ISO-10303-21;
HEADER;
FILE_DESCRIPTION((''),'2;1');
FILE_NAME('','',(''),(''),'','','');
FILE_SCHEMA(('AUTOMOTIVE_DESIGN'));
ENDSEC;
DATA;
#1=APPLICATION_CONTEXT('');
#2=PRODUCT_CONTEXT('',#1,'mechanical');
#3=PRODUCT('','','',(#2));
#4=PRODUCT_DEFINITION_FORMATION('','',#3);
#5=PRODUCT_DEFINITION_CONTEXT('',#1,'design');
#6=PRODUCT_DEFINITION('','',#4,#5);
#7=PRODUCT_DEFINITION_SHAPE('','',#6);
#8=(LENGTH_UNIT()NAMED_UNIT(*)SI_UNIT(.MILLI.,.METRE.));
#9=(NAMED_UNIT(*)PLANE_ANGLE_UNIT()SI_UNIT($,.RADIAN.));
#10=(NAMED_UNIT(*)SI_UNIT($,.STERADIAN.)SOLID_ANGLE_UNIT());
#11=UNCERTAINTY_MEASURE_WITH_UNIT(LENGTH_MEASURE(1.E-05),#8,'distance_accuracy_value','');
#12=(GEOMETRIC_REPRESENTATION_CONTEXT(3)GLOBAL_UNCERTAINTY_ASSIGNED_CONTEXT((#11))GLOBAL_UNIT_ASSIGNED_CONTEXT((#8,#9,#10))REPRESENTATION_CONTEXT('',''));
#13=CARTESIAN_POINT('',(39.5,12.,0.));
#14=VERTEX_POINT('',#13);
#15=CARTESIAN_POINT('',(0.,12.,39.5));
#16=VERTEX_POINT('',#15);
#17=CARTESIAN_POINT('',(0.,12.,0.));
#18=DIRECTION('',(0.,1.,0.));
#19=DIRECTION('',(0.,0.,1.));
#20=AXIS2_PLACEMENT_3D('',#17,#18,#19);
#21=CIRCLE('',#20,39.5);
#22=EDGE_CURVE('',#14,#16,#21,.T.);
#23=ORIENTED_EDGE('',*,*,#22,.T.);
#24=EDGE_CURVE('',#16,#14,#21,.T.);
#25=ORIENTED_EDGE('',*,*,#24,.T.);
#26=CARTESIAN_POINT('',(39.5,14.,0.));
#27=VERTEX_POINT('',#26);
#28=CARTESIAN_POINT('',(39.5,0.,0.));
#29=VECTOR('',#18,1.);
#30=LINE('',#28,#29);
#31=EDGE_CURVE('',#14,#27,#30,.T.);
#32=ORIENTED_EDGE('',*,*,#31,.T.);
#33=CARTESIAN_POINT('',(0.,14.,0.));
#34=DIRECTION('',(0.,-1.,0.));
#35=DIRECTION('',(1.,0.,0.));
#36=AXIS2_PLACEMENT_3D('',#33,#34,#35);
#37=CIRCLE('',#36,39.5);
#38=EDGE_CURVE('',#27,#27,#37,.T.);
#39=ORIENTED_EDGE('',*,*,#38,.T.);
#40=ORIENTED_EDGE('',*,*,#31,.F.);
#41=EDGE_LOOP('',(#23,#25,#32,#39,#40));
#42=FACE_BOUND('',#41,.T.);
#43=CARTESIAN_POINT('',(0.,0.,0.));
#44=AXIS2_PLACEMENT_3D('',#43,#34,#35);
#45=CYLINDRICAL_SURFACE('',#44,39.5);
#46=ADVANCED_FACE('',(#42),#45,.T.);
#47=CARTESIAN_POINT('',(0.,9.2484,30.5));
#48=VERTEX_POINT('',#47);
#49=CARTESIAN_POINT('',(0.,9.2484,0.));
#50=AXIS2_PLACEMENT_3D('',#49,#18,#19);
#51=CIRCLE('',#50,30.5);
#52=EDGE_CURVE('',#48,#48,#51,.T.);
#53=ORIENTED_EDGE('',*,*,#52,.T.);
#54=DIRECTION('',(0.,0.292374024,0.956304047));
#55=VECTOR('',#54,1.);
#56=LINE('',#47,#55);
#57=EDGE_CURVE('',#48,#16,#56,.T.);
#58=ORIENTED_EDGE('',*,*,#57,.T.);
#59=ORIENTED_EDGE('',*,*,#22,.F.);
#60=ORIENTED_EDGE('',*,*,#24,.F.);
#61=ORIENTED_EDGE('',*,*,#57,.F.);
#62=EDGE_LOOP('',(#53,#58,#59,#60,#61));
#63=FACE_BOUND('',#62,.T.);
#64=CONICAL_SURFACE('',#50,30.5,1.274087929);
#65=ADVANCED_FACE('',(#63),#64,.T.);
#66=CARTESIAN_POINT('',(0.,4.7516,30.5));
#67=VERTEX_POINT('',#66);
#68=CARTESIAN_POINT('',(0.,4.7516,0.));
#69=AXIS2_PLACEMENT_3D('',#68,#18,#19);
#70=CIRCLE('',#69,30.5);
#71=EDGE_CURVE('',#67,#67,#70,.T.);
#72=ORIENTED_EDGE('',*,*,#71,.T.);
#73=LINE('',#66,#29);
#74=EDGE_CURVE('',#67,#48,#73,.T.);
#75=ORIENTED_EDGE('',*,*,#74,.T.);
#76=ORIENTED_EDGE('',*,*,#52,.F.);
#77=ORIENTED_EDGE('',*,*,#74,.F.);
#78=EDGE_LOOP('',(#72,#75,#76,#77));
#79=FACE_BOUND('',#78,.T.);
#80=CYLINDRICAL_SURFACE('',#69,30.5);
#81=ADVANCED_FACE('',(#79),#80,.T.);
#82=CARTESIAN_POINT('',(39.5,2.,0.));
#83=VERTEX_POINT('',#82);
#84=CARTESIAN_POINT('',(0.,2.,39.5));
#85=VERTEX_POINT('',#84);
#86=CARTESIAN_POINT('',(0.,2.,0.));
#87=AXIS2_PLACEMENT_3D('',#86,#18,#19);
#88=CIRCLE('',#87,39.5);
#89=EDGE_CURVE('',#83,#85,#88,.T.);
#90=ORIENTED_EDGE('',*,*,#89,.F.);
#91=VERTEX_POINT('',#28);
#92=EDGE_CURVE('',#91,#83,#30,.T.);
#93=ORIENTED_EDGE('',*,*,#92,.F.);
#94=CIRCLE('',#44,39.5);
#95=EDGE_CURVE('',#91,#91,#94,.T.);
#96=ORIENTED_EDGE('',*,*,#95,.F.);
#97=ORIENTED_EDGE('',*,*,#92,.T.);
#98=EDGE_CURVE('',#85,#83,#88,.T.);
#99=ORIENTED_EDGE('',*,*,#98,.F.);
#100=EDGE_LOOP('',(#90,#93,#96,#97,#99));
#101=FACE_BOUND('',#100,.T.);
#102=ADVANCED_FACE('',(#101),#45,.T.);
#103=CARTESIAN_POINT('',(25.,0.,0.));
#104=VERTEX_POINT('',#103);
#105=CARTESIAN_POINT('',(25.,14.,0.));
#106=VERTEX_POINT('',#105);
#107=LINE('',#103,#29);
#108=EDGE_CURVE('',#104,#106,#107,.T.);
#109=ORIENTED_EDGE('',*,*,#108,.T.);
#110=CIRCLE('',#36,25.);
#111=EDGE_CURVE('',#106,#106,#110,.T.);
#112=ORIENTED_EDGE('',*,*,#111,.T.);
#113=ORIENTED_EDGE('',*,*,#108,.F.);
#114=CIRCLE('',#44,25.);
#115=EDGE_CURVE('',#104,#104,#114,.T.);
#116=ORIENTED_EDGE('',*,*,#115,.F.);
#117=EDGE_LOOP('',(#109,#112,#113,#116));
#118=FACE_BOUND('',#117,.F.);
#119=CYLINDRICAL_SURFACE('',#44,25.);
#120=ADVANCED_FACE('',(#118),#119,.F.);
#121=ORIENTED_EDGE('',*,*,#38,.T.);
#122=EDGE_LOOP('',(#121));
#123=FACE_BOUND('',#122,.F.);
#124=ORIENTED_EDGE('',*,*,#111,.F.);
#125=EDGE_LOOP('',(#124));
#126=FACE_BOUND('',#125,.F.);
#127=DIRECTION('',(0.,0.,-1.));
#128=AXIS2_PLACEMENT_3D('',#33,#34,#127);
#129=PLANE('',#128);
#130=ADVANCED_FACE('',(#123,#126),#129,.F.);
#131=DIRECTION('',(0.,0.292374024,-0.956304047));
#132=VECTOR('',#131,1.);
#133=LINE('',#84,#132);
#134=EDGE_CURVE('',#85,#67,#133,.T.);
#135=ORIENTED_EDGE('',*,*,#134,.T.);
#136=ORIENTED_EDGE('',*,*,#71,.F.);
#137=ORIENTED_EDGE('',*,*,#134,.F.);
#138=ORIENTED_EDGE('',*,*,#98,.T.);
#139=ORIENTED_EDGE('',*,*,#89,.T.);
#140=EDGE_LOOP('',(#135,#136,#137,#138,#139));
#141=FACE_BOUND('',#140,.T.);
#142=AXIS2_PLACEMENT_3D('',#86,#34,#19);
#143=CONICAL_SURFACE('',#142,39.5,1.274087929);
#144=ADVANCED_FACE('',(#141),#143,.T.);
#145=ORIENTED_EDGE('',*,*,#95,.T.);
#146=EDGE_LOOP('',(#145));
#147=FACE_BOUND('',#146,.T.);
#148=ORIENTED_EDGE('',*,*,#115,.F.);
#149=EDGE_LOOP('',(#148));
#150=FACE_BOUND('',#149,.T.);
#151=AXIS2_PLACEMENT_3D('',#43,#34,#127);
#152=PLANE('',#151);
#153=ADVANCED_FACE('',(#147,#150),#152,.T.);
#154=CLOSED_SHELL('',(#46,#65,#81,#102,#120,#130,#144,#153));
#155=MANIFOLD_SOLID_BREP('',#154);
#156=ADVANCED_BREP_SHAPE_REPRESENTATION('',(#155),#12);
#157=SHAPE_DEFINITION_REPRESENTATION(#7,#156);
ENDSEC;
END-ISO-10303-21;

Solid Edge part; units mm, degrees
sketch "Sketch1" plane through (0, 0, 0) normal (0, -1, 0) x (1, 0, 0)
  circle A0 centre (0, 0) radius 39.5
  dimension "D1" = 79
extrude "Protrusion1" add sketch "Sketch1" against normal blind 14
sketch "Sketch2" plane through (0, 0, 0) normal (0, -1, 0) x (1, 0, 0)
  circle A0 centre (0, 0) radius 25
  dimension "D1" = 50
extrude "Cutout1" cut sketch "Sketch2" against normal up to next
sketch "Sketch3" plane through (0, 0, 0) normal (1, 0, 0) x (0, 1, 0)
  line L0 (2, 39.5) -> (4.7516, 30.5)
  line L1 (4.7516, 30.5) -> (9.2484, 30.5)
  line L2 (9.2484, 30.5) -> (12, 39.5)
  line L3 (12, 39.5) -> (2, 39.5)
revolve "RevolvedCutout1" cut sketch "Sketch3" angle 360 about axis through (0, 0, 0) along (0, 1, 0)
properties material "Steel"
